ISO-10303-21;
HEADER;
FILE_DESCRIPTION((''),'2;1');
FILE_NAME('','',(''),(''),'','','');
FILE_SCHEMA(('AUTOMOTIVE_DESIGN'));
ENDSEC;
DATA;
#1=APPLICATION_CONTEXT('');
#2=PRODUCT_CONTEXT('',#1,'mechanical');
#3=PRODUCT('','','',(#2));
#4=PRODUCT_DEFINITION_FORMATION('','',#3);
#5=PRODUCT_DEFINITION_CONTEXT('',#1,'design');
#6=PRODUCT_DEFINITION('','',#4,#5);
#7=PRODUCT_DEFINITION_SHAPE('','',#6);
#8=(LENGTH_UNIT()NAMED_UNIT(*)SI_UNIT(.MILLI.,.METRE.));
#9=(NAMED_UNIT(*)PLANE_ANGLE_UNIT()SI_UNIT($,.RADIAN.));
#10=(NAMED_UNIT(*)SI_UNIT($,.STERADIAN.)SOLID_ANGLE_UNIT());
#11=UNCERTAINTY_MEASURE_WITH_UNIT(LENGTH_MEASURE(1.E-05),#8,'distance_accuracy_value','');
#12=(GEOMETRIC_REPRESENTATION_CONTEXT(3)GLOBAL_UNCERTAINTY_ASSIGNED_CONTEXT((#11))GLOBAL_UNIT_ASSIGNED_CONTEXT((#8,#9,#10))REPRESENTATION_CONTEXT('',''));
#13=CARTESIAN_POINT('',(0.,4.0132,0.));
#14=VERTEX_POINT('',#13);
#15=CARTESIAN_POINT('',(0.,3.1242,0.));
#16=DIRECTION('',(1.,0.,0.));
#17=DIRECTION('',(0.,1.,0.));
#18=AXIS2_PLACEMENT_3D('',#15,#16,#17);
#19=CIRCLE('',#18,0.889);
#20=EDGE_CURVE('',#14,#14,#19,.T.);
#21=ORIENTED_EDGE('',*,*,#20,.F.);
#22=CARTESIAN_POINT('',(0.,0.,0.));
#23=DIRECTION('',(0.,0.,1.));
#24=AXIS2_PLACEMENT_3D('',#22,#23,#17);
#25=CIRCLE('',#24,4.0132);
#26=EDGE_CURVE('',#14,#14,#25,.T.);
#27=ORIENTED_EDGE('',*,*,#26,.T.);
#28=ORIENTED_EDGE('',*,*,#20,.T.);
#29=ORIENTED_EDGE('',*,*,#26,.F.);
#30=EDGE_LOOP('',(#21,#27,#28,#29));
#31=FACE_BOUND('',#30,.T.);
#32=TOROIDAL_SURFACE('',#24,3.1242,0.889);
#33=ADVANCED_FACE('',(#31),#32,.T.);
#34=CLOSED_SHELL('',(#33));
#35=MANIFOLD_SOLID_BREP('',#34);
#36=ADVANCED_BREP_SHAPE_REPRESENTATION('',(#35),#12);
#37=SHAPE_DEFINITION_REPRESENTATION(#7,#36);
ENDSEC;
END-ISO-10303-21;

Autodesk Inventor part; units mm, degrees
ref_plane "YZ Plane" through (0, 0, 0) normal (1, 0, 0) x (0, 1, 0)
ref_plane "XZ Plane" through (0, 0, 0) normal (0, 1, 0) x (-1, 0, 0)
ref_plane "XY Plane" through (0, 0, 0) normal (0, 0, 1) x (1, 0, 0)
sketch "Sketch1" plane through (0, 0, 0) normal (1, 0, 0) x (0, 1, 0)
  circle A0 centre (3.1242, 0) radius 0.889
  line L0 (0, 0) -> (0, 1.6314)
  dimension "d0" = 1.778
  dimension "d1" = 3.1242
revolve "Revolution1" add sketch "Sketch1" angle 360 about axis through (0, 0, 0) along (0, 0, 1)
properties part number "wiringTubingORings" material "Rubber, Nitrile"
